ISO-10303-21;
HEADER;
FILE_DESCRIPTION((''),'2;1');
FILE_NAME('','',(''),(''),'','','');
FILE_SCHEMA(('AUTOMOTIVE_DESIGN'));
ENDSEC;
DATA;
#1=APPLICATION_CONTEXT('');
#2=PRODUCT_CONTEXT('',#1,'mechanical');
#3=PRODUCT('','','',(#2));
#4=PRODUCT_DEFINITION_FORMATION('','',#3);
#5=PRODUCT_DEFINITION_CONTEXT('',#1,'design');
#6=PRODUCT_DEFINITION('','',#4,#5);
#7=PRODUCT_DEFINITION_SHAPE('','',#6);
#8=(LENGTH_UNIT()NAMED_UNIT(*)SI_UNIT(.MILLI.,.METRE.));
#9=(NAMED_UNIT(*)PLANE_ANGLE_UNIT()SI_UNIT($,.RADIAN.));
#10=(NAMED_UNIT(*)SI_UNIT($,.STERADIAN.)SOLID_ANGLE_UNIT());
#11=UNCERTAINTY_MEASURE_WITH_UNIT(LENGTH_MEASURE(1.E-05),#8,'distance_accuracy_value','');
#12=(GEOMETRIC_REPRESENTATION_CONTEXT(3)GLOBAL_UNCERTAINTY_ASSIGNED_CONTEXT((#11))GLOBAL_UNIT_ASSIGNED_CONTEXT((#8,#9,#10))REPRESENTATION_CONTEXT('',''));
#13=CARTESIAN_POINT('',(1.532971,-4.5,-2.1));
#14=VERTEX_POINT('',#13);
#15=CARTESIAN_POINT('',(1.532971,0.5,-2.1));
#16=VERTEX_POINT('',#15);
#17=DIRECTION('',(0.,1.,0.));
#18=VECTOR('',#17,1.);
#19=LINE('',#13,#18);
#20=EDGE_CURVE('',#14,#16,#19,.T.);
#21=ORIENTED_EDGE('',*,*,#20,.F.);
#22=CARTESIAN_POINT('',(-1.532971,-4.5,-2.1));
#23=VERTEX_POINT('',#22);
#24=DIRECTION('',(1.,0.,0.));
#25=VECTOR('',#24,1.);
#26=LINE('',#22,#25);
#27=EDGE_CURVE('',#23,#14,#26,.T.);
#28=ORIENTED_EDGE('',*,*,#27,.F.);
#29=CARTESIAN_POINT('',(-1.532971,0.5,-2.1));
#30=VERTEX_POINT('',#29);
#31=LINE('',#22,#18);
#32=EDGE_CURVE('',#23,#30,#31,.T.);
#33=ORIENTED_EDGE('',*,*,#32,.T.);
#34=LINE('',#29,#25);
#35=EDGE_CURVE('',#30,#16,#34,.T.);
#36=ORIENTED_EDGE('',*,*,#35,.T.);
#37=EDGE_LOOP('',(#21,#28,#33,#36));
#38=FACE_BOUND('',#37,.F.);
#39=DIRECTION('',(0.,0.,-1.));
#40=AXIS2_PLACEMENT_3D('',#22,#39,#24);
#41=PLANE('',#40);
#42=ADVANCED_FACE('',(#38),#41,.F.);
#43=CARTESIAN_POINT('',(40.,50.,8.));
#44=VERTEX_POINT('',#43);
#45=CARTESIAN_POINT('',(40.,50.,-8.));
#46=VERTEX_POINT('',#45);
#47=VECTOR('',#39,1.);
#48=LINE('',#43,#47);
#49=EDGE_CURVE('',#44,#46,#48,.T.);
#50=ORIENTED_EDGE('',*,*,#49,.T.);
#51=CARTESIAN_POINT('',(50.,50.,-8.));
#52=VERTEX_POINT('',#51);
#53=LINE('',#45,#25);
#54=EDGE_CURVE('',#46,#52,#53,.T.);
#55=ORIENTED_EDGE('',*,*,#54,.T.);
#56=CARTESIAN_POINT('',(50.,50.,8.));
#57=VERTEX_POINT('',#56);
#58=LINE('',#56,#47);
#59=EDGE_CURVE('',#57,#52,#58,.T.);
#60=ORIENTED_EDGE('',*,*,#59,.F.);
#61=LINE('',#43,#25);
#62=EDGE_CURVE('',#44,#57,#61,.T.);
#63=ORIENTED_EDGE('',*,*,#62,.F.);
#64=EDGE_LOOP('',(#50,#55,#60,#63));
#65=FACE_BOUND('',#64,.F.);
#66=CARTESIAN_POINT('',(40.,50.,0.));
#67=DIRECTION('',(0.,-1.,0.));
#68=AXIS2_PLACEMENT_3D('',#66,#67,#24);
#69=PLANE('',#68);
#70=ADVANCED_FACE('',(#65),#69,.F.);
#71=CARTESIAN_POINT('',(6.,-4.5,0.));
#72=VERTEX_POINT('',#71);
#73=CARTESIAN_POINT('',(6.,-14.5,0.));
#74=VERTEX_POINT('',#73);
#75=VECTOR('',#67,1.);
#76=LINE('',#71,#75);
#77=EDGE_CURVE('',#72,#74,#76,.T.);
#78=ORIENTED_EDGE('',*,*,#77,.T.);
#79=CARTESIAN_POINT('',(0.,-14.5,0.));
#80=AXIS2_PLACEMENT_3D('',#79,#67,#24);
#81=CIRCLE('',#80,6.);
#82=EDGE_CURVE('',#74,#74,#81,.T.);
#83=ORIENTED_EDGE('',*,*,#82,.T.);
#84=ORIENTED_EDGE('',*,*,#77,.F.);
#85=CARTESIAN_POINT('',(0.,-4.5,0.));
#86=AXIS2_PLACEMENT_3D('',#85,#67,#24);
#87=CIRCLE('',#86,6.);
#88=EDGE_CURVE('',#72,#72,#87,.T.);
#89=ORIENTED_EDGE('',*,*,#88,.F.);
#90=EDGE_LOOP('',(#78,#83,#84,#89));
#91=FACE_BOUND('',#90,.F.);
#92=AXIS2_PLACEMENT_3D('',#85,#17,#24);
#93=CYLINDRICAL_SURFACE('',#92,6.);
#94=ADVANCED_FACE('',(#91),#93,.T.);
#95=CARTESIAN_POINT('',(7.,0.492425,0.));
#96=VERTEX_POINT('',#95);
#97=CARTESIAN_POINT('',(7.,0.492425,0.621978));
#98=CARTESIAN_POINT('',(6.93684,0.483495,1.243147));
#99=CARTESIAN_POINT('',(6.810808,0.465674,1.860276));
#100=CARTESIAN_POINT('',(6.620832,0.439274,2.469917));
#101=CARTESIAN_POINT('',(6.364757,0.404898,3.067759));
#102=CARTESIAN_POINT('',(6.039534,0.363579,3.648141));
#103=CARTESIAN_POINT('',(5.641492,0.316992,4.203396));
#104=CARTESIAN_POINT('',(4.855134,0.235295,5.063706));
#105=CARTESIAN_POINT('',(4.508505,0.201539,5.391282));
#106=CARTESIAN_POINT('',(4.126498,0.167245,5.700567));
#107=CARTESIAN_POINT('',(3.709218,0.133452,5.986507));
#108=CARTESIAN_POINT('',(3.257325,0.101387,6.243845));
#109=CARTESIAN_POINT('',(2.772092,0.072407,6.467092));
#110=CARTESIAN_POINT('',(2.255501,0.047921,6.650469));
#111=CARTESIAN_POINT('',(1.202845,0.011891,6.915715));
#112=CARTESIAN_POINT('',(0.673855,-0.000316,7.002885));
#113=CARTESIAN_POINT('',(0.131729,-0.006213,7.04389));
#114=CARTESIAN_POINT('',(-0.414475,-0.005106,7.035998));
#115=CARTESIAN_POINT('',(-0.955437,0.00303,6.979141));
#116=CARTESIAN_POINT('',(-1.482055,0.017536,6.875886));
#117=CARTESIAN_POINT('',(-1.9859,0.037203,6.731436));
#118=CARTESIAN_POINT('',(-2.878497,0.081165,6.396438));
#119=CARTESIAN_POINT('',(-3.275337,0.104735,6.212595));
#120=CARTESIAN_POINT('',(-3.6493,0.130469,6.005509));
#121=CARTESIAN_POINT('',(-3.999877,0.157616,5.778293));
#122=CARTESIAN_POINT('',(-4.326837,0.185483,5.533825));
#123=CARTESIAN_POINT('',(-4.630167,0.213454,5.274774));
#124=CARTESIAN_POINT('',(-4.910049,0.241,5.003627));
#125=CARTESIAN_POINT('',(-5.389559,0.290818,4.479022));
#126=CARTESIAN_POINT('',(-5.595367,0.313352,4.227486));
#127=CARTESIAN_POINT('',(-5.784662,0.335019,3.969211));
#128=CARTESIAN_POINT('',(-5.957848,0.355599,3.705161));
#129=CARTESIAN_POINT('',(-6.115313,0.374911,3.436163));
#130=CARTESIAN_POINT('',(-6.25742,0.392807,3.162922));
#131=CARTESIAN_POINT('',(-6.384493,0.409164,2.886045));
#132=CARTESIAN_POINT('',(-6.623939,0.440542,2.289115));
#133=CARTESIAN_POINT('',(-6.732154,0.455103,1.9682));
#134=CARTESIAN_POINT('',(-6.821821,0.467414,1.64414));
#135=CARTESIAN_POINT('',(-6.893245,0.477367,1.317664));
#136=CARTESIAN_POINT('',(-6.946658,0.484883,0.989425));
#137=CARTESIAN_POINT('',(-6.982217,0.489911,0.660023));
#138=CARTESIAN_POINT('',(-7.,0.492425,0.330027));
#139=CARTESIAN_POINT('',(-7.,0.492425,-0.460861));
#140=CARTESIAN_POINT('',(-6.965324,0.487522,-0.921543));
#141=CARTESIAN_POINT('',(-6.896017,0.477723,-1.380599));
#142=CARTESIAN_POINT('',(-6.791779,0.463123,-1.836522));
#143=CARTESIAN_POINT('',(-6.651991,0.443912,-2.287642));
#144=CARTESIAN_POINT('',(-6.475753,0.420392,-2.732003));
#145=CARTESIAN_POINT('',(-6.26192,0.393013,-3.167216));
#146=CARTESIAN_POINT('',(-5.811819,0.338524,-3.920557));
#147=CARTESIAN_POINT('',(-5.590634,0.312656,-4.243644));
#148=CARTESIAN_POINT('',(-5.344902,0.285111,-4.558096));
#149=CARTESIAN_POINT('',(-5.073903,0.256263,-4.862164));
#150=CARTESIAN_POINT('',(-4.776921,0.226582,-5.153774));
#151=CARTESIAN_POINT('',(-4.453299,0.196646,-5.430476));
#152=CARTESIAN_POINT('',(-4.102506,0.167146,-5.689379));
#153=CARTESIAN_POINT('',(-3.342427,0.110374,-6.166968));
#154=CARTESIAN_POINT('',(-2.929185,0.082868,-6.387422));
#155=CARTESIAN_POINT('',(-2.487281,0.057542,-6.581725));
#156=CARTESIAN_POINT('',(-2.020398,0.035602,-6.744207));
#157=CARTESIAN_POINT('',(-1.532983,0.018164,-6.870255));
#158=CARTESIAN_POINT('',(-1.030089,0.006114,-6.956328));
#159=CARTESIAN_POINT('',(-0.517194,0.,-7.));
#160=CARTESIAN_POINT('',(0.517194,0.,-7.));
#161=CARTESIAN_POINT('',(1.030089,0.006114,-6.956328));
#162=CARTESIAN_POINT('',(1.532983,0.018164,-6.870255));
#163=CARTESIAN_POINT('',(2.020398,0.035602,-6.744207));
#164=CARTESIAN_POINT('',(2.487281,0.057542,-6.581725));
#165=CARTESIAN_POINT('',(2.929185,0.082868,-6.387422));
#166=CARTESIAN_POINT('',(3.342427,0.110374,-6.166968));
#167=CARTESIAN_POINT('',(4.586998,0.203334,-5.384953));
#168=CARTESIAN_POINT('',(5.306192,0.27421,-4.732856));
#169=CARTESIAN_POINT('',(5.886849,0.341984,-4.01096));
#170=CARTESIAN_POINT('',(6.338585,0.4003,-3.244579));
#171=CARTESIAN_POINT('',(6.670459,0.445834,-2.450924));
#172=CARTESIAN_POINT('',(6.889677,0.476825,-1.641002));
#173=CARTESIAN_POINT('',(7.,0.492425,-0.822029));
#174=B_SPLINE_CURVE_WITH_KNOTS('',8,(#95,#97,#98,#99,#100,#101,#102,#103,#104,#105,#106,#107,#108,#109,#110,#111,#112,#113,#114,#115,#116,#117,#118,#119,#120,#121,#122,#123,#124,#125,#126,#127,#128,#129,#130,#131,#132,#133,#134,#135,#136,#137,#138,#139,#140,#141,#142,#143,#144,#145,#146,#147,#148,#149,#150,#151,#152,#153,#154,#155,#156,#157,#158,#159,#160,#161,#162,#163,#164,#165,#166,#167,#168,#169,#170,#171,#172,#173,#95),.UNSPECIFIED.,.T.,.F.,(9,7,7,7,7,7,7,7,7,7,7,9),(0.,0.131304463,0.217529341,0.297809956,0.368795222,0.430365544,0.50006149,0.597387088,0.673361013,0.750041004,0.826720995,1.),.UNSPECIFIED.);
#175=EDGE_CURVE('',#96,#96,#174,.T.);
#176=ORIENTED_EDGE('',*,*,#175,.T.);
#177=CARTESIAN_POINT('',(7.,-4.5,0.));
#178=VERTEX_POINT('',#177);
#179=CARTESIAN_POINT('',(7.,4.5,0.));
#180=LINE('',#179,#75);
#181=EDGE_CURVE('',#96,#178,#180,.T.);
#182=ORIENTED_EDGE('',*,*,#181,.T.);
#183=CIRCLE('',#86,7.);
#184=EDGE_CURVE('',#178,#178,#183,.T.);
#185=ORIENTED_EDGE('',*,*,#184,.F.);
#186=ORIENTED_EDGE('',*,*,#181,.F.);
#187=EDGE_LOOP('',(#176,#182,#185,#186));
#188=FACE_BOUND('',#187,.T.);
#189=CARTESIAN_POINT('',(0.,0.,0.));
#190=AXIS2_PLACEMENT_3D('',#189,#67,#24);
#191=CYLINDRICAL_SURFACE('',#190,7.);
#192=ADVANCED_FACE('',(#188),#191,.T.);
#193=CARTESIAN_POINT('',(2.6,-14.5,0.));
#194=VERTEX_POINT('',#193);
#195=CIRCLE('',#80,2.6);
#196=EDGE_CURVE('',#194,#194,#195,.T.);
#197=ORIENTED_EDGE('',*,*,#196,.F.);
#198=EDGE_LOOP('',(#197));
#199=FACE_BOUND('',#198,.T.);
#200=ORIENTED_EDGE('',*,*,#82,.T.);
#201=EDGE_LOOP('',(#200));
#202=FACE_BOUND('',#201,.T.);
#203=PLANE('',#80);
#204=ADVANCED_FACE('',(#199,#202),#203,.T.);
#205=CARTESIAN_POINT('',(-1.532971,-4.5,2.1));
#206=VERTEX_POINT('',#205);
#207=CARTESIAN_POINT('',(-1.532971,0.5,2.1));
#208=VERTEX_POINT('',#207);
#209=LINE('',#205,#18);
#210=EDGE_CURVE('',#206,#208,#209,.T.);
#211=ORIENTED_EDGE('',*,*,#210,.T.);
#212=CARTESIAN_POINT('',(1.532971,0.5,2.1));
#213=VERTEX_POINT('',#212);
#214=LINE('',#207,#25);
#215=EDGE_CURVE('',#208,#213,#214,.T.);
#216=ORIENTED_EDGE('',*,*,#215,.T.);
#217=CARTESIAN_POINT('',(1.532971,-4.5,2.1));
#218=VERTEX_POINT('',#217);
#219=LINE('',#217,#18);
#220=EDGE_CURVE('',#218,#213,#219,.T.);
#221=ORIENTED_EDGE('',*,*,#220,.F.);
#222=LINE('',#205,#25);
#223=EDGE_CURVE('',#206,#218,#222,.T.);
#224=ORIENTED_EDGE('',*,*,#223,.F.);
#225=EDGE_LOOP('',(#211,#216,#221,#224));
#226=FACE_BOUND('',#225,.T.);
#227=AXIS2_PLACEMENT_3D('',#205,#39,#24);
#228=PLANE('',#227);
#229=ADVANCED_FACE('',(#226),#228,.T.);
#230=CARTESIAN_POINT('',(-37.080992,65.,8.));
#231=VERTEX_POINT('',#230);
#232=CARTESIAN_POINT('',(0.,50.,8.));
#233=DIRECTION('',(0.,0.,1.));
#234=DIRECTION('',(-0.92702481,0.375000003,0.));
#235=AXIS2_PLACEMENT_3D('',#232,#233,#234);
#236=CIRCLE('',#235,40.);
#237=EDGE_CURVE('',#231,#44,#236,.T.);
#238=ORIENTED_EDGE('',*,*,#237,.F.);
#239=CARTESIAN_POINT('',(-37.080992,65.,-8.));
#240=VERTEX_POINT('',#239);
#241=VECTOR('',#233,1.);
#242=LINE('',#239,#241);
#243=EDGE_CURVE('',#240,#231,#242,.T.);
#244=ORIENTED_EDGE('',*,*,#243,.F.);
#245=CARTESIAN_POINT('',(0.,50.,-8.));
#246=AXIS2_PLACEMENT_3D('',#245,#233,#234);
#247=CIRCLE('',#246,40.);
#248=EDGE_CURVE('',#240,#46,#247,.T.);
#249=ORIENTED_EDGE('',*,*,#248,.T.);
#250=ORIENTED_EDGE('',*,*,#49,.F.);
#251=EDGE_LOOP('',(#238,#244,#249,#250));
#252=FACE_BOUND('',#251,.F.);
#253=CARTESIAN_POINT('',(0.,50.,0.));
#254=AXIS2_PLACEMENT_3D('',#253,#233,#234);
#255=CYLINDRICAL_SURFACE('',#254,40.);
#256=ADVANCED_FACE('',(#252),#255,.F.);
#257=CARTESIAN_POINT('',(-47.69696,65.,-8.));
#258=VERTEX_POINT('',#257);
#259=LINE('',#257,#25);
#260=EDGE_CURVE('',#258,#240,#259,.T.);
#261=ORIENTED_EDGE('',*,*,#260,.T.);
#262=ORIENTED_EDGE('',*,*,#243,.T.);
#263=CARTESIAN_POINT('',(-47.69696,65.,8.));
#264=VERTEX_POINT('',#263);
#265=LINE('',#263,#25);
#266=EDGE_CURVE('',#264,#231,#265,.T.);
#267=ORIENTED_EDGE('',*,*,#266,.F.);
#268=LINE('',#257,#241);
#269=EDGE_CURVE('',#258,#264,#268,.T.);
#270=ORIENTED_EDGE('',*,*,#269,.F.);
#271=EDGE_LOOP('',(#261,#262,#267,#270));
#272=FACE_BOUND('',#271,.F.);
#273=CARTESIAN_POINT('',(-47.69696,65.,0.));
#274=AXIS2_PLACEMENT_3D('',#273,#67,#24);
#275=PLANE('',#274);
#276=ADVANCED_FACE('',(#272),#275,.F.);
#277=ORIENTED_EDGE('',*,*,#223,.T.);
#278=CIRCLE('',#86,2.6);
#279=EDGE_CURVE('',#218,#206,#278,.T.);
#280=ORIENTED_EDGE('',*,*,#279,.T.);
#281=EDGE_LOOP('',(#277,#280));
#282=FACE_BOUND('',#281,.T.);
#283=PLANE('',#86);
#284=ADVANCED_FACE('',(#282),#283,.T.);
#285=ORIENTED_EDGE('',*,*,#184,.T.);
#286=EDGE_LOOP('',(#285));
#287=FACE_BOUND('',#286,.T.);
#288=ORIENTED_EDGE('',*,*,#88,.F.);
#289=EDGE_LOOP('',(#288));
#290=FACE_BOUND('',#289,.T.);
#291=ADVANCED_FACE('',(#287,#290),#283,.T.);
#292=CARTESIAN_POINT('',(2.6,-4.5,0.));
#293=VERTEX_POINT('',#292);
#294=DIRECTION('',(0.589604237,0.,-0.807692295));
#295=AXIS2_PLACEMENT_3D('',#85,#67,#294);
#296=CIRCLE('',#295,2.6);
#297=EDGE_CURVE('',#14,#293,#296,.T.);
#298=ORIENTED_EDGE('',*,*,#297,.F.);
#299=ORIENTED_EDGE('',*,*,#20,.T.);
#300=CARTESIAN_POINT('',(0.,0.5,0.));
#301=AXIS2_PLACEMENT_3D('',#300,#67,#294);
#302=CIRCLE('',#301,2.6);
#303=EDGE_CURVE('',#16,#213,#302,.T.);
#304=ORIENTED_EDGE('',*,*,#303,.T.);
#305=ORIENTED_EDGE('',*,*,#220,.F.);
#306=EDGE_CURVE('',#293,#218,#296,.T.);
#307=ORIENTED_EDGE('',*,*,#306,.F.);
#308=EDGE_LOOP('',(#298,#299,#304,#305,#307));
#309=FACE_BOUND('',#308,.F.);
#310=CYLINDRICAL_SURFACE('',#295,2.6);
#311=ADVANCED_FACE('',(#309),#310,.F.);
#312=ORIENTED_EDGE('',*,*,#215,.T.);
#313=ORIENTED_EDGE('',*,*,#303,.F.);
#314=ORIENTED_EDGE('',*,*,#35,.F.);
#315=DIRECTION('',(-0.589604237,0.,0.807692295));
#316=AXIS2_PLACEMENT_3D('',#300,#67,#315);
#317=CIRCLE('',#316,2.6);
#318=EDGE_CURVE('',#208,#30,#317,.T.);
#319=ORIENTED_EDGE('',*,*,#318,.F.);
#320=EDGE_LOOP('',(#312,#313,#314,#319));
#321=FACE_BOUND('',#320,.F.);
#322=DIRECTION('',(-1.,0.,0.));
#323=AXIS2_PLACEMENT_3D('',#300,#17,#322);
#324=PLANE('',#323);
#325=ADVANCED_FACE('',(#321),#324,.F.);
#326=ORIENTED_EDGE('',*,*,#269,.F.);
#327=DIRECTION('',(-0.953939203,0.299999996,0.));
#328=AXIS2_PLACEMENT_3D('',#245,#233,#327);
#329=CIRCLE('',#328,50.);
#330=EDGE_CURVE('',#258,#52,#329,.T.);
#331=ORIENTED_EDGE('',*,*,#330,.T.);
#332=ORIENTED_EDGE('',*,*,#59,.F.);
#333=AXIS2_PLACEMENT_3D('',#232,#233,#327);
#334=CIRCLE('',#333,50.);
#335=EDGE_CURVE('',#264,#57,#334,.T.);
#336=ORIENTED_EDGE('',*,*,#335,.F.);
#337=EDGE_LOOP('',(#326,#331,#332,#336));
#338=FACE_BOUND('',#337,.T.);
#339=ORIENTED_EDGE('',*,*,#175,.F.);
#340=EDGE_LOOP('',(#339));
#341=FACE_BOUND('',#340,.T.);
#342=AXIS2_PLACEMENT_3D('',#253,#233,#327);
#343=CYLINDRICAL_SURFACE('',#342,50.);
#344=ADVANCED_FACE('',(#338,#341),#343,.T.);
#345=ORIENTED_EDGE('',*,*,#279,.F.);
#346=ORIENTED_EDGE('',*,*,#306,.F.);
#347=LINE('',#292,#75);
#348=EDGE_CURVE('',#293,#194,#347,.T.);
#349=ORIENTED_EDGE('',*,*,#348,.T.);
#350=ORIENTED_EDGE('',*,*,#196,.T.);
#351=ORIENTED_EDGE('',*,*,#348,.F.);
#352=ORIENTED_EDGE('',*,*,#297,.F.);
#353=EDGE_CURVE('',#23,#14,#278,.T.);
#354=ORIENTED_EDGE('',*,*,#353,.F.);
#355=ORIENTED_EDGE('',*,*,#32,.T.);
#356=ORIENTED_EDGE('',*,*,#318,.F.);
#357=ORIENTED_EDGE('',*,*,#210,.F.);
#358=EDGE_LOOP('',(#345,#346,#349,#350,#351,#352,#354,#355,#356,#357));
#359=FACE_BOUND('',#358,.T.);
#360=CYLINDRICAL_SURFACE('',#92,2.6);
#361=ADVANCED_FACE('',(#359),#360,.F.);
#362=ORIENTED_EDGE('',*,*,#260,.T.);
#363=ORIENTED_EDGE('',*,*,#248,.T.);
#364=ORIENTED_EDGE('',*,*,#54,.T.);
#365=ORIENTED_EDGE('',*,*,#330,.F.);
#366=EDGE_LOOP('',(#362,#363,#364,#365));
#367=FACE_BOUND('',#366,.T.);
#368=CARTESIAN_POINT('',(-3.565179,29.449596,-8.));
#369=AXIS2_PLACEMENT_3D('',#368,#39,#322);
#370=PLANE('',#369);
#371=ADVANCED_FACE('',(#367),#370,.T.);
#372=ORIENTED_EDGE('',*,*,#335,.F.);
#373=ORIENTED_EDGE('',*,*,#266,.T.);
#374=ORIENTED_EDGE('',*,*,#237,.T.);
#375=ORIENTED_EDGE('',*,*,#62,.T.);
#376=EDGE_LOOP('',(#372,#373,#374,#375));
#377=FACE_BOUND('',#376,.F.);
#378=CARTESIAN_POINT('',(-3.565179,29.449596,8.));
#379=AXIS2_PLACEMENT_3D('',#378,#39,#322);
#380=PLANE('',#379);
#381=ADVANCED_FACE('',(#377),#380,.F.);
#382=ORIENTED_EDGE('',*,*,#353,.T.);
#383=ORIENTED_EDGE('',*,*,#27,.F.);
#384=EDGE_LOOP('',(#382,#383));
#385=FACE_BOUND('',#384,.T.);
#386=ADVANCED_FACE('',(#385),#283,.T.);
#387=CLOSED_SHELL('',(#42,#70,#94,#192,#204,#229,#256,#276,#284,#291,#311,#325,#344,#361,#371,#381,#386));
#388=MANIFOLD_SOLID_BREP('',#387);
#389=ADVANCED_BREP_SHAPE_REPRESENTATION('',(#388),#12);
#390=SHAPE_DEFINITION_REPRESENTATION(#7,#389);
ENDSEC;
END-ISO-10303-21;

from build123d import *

# Parameters (mm, degrees)
PAD_DEPTH     = 8
SKETCH002_R   = 7
PAD001_DEPTH  = 4.5
POCKET_DEPTH  = 5
SKETCH005_R   = 6
SKETCH005_R_2 = 2.6
PAD002_DEPTH  = 10


with BuildPart() as part:
    # Sketch001 → Pad (new body, symmetric)
    with BuildSketch(Plane.XY):
        with BuildLine():
            ThreePointArc((-37.080992, 65), (-7.64069, 10.736533), (40, 50))
            Line((40, 50), (50, 50))
            ThreePointArc((-47.69696, 65), (-7.587885, 0.579114), (50, 50))
            Line((-47.69696, 65), (-37.080992, 65))
        make_face()
    extrude(amount=PAD_DEPTH, both=True)

    # Sketch002 → Pad001 (join, symmetric)
    with BuildSketch(Plane.XZ):
        Circle(SKETCH002_R)
    extrude(amount=PAD001_DEPTH, both=True)

    # Sketch004 (on Face8 of Pad001) → Pocket (cut)
    with BuildSketch(Plane.XZ.offset(4.5)):
        with BuildLine():
            Line((-1.532971, 2.1), (1.532971, 2.1))
            ThreePointArc((1.532971, -2.1), (2.6, 0), (1.532971, 2.1))
            Line((-1.532971, -2.1), (1.532971, -2.1))
            ThreePointArc((-1.532971, 2.1), (-2.6, 0), (-1.532971, -2.1))
        make_face()
    extrude(amount=-POCKET_DEPTH, mode=Mode.SUBTRACT)

    # Sketch005 (on Face8 of Pocket) → Pad002 (join)
    with BuildSketch(Plane.XZ.offset(4.5)):
        Circle(SKETCH005_R)
        Circle(SKETCH005_R_2, mode=Mode.SUBTRACT)
    extrude(amount=PAD002_DEPTH)


solid = part.part
